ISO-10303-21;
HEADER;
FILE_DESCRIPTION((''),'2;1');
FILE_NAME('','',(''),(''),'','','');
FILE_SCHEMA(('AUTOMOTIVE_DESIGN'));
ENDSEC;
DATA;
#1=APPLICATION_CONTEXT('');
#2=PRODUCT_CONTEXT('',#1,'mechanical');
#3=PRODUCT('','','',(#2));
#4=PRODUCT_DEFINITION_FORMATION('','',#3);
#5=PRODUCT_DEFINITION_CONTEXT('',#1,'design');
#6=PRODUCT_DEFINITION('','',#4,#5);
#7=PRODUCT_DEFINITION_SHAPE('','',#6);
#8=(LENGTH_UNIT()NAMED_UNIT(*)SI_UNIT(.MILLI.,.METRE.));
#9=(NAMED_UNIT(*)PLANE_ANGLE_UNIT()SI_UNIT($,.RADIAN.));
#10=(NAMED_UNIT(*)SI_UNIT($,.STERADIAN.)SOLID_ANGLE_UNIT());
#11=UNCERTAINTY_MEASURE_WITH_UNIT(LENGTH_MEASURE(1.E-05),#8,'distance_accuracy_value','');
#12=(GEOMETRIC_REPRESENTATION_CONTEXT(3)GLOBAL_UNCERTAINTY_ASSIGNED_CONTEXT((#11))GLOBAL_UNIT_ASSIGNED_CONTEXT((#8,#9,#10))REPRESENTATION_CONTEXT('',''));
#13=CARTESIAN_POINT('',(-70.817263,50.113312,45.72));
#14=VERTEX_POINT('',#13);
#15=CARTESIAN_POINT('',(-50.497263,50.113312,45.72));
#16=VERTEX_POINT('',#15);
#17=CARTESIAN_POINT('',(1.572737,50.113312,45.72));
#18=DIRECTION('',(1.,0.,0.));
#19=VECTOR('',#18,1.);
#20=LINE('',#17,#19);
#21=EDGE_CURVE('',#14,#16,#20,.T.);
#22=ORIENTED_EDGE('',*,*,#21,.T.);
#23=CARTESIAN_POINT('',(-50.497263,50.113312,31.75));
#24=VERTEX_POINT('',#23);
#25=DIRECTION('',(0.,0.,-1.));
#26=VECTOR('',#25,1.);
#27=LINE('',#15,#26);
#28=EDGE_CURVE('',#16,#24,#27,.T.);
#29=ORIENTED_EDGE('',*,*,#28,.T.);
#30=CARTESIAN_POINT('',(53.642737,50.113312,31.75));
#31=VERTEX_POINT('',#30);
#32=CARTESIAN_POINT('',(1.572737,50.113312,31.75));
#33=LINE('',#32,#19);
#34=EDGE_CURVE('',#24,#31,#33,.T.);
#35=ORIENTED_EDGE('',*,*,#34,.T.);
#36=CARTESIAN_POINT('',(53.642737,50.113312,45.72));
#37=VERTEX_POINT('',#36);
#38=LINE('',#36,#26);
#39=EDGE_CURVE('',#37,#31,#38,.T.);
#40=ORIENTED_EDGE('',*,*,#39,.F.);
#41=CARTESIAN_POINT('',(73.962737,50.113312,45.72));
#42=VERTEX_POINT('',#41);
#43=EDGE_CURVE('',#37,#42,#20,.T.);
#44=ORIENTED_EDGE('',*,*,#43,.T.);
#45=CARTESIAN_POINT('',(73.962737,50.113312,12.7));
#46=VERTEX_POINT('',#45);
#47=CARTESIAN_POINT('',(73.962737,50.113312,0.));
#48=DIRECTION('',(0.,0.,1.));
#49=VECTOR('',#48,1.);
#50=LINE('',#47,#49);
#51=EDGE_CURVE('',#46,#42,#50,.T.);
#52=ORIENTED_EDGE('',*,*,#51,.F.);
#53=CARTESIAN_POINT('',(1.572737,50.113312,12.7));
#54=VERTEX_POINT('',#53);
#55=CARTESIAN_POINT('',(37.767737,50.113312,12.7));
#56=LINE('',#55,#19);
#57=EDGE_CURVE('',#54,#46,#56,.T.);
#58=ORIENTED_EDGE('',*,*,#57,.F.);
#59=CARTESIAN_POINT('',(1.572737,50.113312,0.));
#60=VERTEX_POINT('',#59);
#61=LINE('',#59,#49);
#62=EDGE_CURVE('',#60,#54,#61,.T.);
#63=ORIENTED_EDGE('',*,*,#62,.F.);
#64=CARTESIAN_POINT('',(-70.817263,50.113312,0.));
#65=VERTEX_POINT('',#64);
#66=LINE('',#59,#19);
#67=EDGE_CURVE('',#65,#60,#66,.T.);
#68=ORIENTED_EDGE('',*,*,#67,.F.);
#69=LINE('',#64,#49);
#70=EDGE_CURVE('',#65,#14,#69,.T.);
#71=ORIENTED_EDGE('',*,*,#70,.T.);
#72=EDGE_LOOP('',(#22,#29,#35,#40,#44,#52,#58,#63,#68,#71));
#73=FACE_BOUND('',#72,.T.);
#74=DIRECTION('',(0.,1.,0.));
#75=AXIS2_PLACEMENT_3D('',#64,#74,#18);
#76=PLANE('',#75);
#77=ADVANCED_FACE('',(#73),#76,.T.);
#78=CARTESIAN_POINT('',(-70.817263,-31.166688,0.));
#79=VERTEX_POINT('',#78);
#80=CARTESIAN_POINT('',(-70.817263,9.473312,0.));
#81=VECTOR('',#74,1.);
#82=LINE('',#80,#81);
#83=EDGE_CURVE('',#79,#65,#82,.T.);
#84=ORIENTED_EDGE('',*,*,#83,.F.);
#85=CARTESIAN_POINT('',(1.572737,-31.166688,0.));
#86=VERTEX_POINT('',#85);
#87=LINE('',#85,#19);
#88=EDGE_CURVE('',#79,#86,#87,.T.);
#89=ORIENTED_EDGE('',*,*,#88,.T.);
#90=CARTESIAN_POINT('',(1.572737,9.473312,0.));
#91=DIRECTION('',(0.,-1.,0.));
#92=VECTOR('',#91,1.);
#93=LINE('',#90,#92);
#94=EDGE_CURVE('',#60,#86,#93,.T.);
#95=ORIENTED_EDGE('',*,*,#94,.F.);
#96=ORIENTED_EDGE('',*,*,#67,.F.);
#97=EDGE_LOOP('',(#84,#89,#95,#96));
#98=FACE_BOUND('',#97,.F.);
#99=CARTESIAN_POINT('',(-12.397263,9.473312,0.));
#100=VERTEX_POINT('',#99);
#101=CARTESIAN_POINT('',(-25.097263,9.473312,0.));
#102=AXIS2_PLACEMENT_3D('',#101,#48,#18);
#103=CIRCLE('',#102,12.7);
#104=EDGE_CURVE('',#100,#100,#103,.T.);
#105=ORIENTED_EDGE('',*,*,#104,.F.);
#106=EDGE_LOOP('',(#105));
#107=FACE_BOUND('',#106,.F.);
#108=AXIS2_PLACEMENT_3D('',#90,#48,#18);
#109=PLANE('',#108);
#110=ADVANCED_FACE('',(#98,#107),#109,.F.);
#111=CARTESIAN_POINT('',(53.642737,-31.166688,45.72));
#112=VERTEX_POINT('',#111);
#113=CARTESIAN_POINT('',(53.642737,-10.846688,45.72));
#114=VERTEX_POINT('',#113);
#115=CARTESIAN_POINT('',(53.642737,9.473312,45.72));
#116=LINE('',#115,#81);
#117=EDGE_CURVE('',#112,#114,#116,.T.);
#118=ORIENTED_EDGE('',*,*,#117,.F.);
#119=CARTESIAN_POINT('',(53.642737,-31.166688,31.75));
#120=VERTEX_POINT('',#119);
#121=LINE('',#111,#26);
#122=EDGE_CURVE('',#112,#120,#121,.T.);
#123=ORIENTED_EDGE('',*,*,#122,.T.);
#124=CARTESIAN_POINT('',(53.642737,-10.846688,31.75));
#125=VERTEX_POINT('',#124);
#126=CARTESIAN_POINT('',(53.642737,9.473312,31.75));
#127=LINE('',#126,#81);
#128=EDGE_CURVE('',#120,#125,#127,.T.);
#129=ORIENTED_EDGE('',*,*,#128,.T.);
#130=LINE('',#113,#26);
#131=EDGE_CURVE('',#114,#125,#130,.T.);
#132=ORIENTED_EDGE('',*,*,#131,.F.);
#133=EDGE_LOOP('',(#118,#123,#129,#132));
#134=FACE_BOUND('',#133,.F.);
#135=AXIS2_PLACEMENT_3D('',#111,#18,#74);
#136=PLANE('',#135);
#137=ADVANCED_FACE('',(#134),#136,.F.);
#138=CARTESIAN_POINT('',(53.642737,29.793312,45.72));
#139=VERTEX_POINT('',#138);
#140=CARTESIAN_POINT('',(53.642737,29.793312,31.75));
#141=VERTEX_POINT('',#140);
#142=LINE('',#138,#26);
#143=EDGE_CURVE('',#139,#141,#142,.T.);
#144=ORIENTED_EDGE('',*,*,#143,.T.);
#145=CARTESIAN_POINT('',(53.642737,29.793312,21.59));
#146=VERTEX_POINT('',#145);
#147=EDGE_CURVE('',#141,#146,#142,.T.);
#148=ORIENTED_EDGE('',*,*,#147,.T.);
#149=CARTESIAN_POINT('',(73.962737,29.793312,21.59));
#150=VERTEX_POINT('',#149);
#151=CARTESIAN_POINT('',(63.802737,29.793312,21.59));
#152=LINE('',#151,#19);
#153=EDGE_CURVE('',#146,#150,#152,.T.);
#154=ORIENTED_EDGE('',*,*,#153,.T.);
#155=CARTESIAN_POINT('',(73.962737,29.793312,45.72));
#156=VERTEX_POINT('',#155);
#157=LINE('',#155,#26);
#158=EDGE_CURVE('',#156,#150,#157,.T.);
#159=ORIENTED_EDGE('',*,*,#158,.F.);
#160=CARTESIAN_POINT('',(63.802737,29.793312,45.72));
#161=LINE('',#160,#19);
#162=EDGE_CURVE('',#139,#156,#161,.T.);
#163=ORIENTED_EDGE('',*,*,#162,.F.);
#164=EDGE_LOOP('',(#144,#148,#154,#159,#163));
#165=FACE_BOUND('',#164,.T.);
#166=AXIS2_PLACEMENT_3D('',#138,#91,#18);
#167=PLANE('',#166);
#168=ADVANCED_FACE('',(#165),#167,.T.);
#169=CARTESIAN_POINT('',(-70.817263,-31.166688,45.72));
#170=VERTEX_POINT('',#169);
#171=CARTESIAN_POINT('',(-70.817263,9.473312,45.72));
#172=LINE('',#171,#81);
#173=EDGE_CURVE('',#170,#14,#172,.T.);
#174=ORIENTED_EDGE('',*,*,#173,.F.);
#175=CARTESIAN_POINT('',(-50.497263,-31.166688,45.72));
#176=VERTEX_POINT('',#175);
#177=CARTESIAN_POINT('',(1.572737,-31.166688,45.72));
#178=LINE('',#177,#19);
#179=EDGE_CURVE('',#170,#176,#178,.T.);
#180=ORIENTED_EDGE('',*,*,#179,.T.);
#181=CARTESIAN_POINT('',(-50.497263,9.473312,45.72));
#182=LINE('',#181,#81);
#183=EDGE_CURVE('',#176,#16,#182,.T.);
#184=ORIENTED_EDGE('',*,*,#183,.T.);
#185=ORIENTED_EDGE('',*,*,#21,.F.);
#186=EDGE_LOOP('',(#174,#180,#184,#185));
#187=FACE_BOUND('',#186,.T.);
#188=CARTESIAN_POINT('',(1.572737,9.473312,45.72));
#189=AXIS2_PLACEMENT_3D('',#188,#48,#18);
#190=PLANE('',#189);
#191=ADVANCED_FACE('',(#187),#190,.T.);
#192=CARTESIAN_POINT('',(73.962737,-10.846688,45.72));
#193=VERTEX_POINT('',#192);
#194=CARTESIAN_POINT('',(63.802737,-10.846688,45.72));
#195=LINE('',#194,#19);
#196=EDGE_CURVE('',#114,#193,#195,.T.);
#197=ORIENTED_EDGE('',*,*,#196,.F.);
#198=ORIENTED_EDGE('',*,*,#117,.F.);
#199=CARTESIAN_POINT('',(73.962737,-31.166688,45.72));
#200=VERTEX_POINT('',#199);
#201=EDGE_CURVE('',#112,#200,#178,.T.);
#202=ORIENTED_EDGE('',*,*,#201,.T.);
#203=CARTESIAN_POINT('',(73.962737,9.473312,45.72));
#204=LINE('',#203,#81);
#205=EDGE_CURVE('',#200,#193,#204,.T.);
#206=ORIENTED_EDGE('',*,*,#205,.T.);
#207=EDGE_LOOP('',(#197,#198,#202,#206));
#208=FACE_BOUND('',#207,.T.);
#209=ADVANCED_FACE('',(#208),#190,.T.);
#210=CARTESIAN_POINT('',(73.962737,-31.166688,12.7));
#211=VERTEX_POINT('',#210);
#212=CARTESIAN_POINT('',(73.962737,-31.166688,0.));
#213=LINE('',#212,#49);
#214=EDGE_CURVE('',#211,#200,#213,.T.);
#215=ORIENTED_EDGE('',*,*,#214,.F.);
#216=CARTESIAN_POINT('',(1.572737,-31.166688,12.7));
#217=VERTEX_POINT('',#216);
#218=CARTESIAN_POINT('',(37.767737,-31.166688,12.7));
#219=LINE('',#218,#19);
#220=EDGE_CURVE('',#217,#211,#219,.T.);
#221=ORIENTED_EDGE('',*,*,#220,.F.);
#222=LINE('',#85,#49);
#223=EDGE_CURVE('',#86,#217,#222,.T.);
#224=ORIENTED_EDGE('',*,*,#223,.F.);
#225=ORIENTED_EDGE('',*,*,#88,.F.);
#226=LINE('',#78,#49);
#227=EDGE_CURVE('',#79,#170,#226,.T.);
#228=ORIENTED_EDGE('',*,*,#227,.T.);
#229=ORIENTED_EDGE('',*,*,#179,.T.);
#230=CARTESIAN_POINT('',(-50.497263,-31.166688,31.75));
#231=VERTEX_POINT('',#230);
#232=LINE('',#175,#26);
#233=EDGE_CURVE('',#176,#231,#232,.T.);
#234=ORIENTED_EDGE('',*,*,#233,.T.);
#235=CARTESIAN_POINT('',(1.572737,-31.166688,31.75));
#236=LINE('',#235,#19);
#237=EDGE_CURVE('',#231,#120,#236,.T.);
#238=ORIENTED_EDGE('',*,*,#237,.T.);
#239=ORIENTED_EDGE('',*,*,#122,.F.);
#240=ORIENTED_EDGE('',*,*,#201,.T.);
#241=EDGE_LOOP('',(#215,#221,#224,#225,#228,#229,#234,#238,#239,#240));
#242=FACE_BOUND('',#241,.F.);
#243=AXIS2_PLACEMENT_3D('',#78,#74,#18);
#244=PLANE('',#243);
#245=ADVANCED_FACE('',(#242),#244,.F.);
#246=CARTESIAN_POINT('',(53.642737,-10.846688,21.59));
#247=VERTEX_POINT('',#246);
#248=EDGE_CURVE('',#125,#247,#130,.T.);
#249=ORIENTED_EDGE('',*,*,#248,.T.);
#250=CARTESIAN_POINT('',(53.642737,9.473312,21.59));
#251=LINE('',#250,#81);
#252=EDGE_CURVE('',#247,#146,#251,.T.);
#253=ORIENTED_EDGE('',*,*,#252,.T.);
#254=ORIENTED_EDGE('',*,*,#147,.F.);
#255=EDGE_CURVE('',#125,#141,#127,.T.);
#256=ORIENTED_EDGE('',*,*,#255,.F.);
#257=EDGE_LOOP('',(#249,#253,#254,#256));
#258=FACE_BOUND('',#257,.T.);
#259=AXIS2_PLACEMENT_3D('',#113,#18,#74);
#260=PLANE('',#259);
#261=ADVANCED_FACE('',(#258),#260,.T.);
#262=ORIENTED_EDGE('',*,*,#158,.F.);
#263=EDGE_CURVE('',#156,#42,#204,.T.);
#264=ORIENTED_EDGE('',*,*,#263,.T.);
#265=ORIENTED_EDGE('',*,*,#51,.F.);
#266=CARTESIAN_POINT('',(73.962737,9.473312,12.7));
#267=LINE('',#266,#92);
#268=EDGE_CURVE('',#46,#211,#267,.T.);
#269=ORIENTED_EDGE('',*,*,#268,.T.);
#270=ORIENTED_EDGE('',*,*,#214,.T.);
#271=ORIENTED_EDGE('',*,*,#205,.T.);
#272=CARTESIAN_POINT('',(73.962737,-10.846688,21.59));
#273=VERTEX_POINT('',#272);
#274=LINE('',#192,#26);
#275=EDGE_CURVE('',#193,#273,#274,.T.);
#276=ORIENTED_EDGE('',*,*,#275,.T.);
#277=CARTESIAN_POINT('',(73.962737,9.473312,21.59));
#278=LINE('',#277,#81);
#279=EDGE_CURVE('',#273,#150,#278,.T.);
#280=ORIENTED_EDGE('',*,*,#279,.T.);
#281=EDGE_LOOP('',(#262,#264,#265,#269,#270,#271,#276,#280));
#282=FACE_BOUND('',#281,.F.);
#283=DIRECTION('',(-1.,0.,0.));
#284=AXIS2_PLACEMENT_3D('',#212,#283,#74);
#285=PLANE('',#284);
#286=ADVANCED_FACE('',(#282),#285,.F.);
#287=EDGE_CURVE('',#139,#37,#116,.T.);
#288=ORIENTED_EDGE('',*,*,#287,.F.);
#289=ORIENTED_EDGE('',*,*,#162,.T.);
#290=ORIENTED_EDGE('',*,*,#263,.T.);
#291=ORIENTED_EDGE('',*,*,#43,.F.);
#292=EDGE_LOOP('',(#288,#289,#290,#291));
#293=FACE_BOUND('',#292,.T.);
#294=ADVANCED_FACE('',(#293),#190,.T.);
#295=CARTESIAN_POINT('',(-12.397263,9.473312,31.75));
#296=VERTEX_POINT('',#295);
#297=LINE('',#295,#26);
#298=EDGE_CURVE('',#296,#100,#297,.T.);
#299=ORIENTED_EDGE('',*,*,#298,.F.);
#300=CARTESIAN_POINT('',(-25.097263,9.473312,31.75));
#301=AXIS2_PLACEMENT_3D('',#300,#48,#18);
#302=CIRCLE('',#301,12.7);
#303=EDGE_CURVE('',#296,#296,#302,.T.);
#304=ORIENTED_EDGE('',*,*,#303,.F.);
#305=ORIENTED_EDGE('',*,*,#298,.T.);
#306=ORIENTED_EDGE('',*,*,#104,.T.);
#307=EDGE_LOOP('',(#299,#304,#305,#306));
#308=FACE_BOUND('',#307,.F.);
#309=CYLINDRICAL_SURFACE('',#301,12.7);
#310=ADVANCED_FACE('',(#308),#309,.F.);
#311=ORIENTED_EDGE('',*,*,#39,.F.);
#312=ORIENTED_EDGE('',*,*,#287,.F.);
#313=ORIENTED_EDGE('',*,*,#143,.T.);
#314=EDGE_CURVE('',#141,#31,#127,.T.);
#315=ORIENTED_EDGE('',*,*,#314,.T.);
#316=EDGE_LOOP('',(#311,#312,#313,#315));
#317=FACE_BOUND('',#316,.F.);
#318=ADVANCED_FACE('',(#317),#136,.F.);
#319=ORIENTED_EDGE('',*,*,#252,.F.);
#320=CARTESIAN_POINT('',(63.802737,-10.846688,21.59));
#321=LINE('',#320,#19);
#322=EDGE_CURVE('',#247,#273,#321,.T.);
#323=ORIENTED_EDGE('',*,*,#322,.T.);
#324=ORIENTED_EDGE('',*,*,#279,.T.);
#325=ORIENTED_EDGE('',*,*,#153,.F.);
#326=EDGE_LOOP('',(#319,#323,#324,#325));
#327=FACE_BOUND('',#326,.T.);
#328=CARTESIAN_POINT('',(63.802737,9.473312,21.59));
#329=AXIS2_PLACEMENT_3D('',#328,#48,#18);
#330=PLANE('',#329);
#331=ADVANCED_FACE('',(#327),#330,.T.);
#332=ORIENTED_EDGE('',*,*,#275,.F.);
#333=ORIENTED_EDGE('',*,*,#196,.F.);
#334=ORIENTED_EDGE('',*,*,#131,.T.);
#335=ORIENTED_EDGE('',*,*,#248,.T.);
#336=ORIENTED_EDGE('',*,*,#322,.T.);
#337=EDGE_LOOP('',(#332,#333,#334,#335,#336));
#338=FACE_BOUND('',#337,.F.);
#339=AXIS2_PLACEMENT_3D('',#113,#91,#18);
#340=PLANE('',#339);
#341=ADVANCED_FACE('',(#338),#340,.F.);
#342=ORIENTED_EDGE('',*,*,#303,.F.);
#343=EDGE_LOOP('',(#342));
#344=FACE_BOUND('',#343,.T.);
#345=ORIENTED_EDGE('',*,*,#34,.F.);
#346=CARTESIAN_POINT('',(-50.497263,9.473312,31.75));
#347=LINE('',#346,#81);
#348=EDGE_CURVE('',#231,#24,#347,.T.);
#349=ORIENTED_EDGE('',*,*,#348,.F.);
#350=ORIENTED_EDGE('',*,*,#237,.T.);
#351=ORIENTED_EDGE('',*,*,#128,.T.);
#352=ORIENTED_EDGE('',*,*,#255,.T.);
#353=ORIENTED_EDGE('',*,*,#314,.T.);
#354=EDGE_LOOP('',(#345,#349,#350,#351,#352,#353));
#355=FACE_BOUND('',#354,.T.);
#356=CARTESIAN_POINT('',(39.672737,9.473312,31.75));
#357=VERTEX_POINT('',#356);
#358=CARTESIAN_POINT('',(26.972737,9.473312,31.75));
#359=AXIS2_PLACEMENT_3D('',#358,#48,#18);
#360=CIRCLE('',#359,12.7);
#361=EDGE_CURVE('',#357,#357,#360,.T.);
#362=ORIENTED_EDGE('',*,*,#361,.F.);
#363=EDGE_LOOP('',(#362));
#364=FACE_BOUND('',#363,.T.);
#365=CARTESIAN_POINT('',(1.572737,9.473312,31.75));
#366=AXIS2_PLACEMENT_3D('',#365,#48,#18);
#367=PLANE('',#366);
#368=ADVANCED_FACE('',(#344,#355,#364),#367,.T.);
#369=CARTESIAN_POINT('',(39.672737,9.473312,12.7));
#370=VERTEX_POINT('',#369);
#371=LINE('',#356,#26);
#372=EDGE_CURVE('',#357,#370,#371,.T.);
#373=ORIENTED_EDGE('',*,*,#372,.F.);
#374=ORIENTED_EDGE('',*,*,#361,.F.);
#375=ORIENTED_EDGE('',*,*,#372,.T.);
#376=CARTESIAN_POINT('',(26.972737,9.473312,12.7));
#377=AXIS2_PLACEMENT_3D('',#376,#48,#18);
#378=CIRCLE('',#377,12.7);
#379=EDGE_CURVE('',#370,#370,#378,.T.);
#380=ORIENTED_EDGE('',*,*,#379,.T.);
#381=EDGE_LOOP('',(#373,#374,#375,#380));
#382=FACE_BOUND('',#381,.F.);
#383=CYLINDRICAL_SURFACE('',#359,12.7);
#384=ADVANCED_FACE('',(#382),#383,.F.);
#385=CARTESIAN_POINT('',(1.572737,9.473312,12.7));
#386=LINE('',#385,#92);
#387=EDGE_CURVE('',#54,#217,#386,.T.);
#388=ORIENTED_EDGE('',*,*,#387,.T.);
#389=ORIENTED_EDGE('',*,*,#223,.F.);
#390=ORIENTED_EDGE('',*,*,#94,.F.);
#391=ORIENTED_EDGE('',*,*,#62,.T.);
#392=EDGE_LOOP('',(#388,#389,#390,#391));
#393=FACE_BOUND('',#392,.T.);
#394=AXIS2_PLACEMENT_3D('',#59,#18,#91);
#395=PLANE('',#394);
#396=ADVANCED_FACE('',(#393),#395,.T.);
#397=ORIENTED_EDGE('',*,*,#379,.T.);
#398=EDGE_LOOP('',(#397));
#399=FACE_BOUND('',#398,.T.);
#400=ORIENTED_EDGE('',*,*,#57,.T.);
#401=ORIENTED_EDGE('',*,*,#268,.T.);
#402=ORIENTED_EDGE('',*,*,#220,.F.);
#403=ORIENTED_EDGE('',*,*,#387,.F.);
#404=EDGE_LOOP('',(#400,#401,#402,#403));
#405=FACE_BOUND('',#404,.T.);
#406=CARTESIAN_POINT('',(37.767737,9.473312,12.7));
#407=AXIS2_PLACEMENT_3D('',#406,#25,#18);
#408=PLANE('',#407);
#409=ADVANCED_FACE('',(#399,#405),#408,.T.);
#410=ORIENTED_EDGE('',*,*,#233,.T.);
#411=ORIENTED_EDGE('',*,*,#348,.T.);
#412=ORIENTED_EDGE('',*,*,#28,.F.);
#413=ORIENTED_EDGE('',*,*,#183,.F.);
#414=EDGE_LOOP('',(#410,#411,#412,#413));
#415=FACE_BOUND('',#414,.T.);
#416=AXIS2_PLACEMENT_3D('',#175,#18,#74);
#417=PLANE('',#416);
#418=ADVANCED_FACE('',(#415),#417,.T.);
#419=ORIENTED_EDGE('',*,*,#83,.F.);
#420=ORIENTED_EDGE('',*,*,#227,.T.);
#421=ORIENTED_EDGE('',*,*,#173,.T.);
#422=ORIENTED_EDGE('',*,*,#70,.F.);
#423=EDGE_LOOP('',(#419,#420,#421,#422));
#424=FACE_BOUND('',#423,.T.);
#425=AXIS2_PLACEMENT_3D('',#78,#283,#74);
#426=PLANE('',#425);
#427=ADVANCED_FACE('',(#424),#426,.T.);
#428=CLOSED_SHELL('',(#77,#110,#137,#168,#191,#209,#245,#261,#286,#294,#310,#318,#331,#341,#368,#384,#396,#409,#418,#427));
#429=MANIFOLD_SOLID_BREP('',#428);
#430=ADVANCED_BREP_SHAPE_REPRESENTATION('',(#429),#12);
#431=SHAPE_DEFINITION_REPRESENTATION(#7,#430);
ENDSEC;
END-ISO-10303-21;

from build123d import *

# Parameters (mm, degrees)
F0_W      = 144.78
F0_H      = 81.28
F1_DEPTH  = 45.72
F2_W      = 104.14
F2_H      = 81.28
F3_DEPTH  = 13.97
F4_W      = 20.32
F4_H      = 40.64
F5_DEPTH  = 24.13
F6_W      = 72.39
F6_H      = 81.28
F7_DEPTH  = 12.7
F8_R      = 12.7
F9_DEPTH  = 32.004
F10_R     = 12.7
F11_DEPTH = 19.558


with BuildPart() as f1:
    # F0 (on Top) → F1 (new body)
    with BuildSketch(Plane.XY):
        with Locations((1.572737, 9.473312)):
            Rectangle(F0_W, F0_H)
    extrude(amount=F1_DEPTH)

    # F2 (on face) → F3 (cut)
    with BuildSketch(Plane.XY.offset(45.72)):
        with Locations((1.572737, 9.473312)):
            Rectangle(F2_W, F2_H)
    extrude(amount=-F3_DEPTH, mode=Mode.SUBTRACT)

    # F4 (on face) → F5 (cut)
    with BuildSketch(Plane.XY.offset(45.72)):
        with Locations((63.802737, 9.473312)):
            Rectangle(F4_W, F4_H)
    extrude(amount=-F5_DEPTH, mode=Mode.SUBTRACT)

    # F6 (on face) → F7 (cut)
    with BuildSketch(Plane(origin=(0, 0, 0), x_dir=(1, 0, 0), z_dir=(0, 0, -1))):
        with Locations((37.767737, -9.473312)):
            Rectangle(F6_W, F6_H)
    extrude(amount=-F7_DEPTH, mode=Mode.SUBTRACT)

    # F8 (on face) → F9 (cut)
    with BuildSketch(Plane.XY.offset(31.75)):
        with Locations((-25.097263, 9.473312)):
            Circle(F8_R)
    extrude(amount=-F9_DEPTH, mode=Mode.SUBTRACT)

    # F10 (on face) → F11 (cut)
    with BuildSketch(Plane.XY.offset(31.75)):
        with Locations((26.972737, 9.473312)):
            Circle(F10_R)
    extrude(amount=-F11_DEPTH, mode=Mode.SUBTRACT)


solid = f1.part
